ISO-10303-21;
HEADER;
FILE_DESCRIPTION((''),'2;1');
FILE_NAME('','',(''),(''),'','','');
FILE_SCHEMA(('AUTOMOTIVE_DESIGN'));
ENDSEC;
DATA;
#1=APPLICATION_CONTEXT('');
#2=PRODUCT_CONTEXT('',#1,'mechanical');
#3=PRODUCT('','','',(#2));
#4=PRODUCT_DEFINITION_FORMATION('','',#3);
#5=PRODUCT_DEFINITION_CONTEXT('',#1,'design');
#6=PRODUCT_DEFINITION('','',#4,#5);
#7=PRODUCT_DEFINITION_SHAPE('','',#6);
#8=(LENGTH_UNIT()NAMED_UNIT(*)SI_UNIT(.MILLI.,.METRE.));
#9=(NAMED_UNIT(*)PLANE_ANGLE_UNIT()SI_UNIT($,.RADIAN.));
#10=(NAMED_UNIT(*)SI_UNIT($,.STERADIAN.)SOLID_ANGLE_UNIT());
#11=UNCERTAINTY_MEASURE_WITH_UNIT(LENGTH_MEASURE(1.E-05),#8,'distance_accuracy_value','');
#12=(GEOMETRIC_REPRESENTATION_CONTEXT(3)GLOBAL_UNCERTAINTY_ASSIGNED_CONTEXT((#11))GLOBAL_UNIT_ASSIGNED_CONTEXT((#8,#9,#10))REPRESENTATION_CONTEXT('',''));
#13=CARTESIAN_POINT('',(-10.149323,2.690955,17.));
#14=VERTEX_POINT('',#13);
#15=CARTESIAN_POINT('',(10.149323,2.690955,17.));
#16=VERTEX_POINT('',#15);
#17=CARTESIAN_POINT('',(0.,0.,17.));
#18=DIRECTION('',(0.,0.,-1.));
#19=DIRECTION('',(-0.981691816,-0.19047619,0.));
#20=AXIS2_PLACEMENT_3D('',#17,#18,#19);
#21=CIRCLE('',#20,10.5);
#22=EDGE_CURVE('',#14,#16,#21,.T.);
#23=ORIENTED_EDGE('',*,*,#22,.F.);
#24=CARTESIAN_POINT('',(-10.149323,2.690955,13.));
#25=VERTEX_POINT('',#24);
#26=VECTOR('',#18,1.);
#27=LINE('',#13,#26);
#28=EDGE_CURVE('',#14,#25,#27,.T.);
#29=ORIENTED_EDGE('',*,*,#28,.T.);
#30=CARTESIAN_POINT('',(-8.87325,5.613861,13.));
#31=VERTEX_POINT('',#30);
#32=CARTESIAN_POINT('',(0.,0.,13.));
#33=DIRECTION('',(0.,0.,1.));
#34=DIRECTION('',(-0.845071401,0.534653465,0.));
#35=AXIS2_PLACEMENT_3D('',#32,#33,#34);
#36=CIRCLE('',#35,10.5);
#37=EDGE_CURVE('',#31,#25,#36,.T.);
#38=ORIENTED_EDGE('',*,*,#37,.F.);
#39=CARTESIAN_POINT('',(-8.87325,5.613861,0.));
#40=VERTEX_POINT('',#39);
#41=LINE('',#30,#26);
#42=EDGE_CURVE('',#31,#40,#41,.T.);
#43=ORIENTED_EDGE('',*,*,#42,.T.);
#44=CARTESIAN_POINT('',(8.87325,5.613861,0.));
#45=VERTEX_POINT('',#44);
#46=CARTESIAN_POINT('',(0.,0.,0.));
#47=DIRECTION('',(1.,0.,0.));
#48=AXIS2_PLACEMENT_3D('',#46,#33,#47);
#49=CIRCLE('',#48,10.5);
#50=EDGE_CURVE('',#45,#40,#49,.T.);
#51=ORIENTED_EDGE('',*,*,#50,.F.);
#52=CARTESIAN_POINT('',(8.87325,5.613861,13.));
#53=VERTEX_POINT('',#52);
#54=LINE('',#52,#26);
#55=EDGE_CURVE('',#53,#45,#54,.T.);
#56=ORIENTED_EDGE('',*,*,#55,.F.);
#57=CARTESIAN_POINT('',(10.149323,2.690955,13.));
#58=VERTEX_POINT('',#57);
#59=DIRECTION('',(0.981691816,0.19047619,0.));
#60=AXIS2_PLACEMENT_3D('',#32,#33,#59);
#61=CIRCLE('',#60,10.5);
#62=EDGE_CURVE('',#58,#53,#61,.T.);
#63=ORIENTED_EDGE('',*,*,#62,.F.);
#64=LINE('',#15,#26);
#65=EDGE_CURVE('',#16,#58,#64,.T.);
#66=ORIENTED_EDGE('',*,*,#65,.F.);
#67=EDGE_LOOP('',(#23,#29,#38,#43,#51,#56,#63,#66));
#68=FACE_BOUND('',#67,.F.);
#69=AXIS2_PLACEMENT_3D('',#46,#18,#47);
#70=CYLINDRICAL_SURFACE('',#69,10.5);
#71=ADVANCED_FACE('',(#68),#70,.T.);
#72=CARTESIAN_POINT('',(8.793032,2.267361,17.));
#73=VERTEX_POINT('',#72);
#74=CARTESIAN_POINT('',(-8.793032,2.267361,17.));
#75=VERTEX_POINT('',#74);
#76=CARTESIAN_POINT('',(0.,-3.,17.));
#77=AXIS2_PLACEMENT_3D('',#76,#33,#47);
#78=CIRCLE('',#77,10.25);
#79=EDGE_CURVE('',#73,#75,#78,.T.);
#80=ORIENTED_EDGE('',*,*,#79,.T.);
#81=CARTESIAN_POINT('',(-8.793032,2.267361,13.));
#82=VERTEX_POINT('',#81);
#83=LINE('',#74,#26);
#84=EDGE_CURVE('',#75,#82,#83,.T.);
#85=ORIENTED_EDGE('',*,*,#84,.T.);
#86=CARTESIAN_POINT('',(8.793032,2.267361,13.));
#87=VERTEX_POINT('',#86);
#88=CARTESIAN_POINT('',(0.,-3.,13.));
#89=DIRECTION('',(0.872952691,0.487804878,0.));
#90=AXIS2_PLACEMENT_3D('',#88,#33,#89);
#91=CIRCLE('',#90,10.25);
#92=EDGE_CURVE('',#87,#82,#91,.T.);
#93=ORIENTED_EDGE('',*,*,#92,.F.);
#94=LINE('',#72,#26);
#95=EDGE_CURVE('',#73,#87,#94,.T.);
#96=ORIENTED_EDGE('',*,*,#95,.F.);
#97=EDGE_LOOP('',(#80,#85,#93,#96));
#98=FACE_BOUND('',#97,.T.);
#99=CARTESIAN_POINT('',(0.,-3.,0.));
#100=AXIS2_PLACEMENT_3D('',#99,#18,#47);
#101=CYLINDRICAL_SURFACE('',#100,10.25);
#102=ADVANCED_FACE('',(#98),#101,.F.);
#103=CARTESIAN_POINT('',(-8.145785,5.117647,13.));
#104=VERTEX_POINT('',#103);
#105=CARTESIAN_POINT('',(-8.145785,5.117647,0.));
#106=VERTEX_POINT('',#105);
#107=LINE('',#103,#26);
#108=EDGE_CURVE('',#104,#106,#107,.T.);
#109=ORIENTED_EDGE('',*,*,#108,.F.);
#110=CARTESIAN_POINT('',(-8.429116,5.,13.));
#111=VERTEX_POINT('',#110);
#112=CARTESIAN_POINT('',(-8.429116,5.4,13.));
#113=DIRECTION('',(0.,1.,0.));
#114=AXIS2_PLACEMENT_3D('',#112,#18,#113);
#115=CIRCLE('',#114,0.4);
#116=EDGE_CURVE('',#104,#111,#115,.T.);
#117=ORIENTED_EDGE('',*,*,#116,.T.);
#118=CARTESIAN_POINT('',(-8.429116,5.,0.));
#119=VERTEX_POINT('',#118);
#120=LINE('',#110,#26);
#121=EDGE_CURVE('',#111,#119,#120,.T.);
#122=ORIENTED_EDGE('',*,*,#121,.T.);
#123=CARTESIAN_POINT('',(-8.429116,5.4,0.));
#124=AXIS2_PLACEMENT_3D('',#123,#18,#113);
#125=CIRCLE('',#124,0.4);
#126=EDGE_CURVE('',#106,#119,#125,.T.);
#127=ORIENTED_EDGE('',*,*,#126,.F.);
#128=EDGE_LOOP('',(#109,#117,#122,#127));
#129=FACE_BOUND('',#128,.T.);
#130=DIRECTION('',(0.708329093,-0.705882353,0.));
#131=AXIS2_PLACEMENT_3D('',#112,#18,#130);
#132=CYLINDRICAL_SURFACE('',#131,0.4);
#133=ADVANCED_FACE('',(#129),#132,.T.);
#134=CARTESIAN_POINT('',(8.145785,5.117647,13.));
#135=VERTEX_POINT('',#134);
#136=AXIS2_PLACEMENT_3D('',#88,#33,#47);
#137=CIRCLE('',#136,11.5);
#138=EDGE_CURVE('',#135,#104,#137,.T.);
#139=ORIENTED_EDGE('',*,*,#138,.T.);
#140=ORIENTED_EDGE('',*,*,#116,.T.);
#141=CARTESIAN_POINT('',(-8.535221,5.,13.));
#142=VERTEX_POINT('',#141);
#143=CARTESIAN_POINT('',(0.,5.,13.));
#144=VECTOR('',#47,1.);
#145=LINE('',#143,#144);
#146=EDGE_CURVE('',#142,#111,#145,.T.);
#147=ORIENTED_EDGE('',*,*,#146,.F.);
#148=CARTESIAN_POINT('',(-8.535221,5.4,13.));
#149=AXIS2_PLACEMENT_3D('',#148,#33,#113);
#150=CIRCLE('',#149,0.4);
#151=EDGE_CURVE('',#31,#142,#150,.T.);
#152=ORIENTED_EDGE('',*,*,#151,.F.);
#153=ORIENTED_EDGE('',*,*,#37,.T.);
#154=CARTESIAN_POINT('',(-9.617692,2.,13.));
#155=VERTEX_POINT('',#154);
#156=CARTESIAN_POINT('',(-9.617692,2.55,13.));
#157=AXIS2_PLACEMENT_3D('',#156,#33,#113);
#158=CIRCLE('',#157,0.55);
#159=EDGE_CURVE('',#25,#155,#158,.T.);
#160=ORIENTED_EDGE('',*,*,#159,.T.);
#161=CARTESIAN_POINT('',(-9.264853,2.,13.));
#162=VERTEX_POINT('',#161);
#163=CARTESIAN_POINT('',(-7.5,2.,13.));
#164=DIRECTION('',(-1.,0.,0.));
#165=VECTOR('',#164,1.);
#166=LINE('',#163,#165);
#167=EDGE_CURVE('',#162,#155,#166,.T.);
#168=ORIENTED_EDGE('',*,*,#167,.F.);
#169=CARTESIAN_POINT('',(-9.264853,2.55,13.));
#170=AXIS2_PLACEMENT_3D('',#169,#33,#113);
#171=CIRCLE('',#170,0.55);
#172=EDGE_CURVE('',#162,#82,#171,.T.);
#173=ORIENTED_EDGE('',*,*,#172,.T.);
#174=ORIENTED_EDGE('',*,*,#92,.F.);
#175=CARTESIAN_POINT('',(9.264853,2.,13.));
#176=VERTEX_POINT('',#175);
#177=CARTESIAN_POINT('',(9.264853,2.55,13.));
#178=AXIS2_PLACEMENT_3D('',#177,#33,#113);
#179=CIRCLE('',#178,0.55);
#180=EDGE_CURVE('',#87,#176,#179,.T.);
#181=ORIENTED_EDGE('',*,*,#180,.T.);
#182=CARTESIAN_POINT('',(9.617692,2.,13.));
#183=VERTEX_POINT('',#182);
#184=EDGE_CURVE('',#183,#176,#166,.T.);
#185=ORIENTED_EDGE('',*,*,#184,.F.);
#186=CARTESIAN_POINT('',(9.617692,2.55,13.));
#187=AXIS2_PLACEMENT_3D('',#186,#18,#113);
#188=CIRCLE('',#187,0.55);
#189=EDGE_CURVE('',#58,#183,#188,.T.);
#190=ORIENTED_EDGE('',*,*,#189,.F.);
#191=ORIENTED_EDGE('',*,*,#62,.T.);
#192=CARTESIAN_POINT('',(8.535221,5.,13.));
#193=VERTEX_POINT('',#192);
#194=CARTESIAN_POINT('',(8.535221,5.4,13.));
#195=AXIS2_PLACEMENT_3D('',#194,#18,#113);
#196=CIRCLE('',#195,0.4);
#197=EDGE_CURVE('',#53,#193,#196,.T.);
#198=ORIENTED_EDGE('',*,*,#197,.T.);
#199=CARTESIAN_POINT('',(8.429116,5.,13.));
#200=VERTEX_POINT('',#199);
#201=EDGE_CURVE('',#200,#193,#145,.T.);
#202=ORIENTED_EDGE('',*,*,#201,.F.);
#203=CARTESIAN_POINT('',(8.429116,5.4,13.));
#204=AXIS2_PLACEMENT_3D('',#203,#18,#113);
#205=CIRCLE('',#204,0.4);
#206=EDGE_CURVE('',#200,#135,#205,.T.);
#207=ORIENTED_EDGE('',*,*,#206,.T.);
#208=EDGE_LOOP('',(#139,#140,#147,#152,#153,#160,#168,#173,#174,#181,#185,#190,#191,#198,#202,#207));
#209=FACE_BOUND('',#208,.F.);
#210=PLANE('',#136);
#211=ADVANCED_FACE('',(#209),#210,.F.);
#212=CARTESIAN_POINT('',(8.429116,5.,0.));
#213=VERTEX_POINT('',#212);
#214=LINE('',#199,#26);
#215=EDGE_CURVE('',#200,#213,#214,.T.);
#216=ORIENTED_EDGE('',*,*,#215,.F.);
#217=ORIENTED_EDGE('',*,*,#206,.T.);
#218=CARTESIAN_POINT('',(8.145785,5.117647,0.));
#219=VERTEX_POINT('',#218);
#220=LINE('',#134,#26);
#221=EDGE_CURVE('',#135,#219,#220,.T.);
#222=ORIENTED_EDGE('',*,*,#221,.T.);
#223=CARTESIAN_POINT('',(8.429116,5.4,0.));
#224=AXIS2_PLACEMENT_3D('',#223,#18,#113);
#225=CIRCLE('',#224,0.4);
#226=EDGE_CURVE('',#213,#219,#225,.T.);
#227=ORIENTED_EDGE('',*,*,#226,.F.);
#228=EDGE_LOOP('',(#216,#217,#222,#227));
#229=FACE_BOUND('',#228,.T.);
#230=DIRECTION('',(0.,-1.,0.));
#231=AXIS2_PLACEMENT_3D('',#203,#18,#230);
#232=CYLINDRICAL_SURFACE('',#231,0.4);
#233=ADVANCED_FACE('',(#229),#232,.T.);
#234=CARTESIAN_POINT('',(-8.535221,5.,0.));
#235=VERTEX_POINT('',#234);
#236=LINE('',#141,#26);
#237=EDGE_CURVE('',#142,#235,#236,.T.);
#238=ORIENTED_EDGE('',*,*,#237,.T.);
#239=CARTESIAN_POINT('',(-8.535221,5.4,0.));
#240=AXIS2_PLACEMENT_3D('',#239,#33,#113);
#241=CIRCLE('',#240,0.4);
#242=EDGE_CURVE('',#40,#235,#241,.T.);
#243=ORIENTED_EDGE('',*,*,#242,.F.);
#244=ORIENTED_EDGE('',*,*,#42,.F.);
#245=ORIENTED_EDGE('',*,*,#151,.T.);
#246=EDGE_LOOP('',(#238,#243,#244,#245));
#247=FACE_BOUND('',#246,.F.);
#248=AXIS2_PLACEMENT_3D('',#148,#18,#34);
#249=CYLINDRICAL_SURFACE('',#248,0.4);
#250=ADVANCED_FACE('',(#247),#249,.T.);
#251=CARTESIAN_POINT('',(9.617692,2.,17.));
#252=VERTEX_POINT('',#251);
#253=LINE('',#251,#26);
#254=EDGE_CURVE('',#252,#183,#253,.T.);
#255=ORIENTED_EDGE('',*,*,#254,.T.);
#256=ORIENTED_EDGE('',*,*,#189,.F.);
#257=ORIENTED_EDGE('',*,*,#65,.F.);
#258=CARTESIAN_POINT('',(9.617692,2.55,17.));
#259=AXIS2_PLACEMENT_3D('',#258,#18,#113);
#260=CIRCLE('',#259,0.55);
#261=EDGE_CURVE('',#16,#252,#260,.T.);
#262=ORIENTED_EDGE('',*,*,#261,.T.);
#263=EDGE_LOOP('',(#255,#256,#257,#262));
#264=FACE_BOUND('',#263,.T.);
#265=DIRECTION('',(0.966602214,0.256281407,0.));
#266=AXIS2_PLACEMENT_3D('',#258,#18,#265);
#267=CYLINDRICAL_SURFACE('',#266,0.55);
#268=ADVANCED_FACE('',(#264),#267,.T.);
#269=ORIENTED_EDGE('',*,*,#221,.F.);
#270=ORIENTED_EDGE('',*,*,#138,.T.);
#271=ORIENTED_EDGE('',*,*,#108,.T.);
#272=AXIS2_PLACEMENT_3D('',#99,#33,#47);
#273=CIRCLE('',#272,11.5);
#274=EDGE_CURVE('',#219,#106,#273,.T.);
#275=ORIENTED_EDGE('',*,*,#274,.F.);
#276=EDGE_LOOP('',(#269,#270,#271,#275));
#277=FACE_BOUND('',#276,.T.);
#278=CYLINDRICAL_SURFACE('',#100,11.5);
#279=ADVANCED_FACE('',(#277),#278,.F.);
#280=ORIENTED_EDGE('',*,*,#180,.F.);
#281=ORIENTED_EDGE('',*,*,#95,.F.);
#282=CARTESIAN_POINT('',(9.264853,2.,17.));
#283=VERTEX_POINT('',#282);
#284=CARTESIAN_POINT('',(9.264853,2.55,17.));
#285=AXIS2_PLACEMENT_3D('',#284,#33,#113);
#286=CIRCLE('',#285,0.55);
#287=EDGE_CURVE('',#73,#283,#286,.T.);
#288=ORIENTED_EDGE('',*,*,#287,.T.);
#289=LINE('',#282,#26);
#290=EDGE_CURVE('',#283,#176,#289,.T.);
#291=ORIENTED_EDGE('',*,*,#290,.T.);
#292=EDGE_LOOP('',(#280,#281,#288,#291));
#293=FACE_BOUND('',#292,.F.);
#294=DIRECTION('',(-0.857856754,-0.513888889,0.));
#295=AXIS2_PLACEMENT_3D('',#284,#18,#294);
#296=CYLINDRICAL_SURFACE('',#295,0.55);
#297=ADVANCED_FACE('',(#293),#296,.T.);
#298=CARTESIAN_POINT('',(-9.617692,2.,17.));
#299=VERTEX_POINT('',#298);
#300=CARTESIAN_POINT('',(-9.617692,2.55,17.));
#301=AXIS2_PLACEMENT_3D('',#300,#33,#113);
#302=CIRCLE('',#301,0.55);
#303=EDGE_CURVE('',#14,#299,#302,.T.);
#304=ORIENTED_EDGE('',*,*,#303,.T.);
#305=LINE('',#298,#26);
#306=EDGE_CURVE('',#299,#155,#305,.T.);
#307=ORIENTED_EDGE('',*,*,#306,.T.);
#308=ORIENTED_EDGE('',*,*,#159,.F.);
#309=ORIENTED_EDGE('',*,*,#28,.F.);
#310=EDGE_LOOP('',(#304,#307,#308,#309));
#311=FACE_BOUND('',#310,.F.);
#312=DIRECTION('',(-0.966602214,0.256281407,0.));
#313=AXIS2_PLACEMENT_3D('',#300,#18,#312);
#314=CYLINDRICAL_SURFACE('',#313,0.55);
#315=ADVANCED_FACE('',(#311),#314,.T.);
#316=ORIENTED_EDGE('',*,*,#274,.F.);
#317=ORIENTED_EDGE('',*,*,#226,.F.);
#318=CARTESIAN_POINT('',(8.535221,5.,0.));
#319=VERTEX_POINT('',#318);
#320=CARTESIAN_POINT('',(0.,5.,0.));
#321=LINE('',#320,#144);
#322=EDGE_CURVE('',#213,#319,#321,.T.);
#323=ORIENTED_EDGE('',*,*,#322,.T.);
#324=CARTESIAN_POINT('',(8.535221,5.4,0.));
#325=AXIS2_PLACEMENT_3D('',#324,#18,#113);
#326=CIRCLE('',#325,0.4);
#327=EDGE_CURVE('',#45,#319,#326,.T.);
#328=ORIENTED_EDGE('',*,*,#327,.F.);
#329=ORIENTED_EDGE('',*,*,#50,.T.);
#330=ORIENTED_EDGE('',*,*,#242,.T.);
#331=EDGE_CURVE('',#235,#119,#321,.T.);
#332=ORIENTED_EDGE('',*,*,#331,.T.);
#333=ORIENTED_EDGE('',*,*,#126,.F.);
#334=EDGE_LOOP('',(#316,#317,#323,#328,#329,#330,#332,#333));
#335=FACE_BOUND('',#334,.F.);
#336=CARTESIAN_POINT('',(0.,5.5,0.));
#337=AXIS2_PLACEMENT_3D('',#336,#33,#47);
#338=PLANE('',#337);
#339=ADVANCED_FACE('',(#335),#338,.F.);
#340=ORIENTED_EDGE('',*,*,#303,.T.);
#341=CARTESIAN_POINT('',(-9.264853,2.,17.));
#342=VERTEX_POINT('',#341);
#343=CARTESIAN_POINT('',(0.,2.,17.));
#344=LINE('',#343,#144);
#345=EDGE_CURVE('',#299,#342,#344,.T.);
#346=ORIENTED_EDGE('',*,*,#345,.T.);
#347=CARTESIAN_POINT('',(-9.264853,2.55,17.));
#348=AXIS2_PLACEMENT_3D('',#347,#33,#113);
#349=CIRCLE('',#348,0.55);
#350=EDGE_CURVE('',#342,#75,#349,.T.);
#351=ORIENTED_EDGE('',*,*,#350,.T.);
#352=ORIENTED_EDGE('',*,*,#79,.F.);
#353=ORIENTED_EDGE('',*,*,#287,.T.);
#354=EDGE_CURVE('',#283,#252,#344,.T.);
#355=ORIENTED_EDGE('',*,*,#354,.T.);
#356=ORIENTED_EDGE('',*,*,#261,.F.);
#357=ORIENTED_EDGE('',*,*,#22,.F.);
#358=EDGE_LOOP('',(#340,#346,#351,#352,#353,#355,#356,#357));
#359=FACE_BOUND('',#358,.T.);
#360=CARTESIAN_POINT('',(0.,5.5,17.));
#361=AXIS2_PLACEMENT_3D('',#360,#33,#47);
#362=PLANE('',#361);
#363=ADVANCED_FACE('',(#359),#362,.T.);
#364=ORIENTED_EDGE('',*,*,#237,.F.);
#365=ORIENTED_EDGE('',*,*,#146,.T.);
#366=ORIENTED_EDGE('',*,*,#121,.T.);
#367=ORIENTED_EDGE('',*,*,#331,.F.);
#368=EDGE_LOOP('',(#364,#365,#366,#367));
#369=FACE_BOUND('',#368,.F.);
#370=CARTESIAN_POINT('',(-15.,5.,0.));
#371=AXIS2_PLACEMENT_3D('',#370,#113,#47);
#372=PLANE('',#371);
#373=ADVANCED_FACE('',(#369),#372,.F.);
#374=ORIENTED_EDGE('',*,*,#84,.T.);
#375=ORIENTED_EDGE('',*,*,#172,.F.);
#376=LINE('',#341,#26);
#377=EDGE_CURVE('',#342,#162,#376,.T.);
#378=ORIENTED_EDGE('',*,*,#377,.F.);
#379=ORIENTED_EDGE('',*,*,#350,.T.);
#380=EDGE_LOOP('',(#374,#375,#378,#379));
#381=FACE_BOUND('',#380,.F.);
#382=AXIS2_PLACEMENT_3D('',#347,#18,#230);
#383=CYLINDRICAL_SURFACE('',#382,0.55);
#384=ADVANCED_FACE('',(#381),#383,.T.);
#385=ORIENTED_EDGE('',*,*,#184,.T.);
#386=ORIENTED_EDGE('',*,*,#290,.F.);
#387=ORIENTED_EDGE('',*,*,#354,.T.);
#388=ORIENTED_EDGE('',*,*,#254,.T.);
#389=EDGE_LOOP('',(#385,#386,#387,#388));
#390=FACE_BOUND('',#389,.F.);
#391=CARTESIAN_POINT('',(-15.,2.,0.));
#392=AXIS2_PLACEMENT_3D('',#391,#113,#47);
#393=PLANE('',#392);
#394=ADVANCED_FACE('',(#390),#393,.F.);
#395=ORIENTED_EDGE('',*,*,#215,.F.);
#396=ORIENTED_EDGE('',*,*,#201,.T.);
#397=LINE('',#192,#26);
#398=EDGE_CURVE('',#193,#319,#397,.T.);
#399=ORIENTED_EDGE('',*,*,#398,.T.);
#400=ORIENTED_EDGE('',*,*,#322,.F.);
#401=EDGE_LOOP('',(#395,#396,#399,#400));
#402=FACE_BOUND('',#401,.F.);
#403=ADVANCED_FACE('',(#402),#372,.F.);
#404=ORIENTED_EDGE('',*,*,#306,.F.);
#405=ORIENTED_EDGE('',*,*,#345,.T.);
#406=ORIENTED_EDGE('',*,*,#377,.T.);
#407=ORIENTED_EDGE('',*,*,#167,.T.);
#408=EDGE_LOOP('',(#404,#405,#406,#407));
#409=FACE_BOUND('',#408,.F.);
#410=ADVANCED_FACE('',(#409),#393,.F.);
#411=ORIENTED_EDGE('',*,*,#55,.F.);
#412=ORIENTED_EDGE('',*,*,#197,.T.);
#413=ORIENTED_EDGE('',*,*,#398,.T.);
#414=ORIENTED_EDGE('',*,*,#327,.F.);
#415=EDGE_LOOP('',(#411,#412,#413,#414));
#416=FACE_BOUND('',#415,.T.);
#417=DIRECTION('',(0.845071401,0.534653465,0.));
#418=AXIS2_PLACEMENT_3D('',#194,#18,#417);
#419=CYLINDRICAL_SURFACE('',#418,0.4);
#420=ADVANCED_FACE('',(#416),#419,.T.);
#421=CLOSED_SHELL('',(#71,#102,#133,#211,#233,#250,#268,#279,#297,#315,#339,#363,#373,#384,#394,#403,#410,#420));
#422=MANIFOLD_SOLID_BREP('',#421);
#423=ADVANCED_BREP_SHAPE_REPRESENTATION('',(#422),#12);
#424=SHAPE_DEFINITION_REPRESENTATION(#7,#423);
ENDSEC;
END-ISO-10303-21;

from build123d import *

# Parameters (mm, degrees)
BOX002_W          = 30
BOX002_H          = 10
BOX002_DEPTH      = 13
BOX001_W          = 30
BOX001_H          = 10
BOX001_DEPTH      = 17
CYLINDER_R        = 10.5
CYLINDER_DEPTH    = 20
CYLINDER001_R     = 20
CYLINDER001_DEPTH = 20
CYLINDER003_R     = 10.25
CYLINDER003_DEPTH = 17
CYLINDER002_R     = 11.5
CYLINDER002_DEPTH = 13
BOX_W             = 26
BOX_H             = 15
BOX_DEPTH         = 17
FILLET_R          = 0.4
FILLET001_R       = 0.55
FILLET002_R       = 0.55


with BuildPart() as cube002:
    # Box002 → Box002 (new body)
    with BuildSketch(Plane(origin=(-15, -5, 0), x_dir=(1, 0, 0), z_dir=(0, 0, 1))):
        with Locations((15, 5)):
            Rectangle(BOX002_W, BOX002_H)
    extrude(amount=BOX002_DEPTH)


with BuildPart() as cube001:
    # Box001 → Box001 (new body)
    with BuildSketch(Plane(origin=(-15, -8, 0), x_dir=(1, 0, 0), z_dir=(0, 0, 1))):
        with Locations((15, 5)):
            Rectangle(BOX001_W, BOX001_H)
    extrude(amount=BOX001_DEPTH)


with BuildPart() as ajustar_este:
    # Cylinder → Cylinder (new body)
    with BuildSketch(Plane.XY):
        Circle(CYLINDER_R)
    extrude(amount=CYLINDER_DEPTH)


with BuildPart() as cut:
    # Cylinder001 → Cylinder001 (new body)
    with BuildSketch(Plane.XY):
        Circle(CYLINDER001_R)
    extrude(amount=CYLINDER001_DEPTH)

    # Cut: cut ajustar_este
    add(ajustar_este.part, mode=Mode.SUBTRACT)


with BuildPart() as cylinder003:
    # Cylinder003 → Cylinder003 (new body)
    with BuildSketch(Plane(origin=(0, -3, 0), x_dir=(1, 0, 0), z_dir=(0, 0, 1))):
        Circle(CYLINDER003_R)
    extrude(amount=CYLINDER003_DEPTH)


with BuildPart() as fusion:
    # Cylinder002 → Cylinder002 (new body)
    with BuildSketch(Plane(origin=(0, -3, 0), x_dir=(1, 0, 0), z_dir=(0, 0, 1))):
        Circle(CYLINDER002_R)
    extrude(amount=CYLINDER002_DEPTH)

    # Fusion: union Cylinder003
    add(cylinder003.part)


with BuildPart() as fillet002:
    # Box → Box (new body)
    with BuildSketch(Plane(origin=(-13, -2, 0), x_dir=(1, 0, 0), z_dir=(0, 0, 1))):
        with Locations((13, 7.5)):
            Rectangle(BOX_W, BOX_H)
    extrude(amount=BOX_DEPTH)

    # Cut001: cut Fusion
    add(fusion.part, mode=Mode.SUBTRACT)

    # Cut002: cut Cut
    add(cut.part, mode=Mode.SUBTRACT)

    # Cut002003: cut Cube001
    add(cube001.part, mode=Mode.SUBTRACT)

    # Cut002004: cut Cube002
    add(cube002.part, mode=Mode.SUBTRACT)

    # Fillet
    fillet_edges = [fillet002.edges().sort_by_distance(p)[0] for p in [
        (-9.233093, 5, 6.5),
        (9.233093, 5, 6.5),
        (-8.261356, 5, 6.5),
        (8.261356, 5, 6.5),
    ]]
    fillet(fillet_edges, radius=FILLET_R)

    # Fillet001
    fillet001_edges = [fillet002.edges().sort_by_distance(p)[0] for p in [
        (10.307764, 2, 15),
        (8.947765, 2, 15),
    ]]
    fillet(fillet001_edges, radius=FILLET001_R)

    # Fillet002
    fillet002_edges = [fillet002.edges().sort_by_distance(p)[0] for p in [
        (-10.307764, 2, 15),
        (-8.947765, 2, 15),
    ]]
    fillet(fillet002_edges, radius=FILLET002_R)


solid = fillet002.part
